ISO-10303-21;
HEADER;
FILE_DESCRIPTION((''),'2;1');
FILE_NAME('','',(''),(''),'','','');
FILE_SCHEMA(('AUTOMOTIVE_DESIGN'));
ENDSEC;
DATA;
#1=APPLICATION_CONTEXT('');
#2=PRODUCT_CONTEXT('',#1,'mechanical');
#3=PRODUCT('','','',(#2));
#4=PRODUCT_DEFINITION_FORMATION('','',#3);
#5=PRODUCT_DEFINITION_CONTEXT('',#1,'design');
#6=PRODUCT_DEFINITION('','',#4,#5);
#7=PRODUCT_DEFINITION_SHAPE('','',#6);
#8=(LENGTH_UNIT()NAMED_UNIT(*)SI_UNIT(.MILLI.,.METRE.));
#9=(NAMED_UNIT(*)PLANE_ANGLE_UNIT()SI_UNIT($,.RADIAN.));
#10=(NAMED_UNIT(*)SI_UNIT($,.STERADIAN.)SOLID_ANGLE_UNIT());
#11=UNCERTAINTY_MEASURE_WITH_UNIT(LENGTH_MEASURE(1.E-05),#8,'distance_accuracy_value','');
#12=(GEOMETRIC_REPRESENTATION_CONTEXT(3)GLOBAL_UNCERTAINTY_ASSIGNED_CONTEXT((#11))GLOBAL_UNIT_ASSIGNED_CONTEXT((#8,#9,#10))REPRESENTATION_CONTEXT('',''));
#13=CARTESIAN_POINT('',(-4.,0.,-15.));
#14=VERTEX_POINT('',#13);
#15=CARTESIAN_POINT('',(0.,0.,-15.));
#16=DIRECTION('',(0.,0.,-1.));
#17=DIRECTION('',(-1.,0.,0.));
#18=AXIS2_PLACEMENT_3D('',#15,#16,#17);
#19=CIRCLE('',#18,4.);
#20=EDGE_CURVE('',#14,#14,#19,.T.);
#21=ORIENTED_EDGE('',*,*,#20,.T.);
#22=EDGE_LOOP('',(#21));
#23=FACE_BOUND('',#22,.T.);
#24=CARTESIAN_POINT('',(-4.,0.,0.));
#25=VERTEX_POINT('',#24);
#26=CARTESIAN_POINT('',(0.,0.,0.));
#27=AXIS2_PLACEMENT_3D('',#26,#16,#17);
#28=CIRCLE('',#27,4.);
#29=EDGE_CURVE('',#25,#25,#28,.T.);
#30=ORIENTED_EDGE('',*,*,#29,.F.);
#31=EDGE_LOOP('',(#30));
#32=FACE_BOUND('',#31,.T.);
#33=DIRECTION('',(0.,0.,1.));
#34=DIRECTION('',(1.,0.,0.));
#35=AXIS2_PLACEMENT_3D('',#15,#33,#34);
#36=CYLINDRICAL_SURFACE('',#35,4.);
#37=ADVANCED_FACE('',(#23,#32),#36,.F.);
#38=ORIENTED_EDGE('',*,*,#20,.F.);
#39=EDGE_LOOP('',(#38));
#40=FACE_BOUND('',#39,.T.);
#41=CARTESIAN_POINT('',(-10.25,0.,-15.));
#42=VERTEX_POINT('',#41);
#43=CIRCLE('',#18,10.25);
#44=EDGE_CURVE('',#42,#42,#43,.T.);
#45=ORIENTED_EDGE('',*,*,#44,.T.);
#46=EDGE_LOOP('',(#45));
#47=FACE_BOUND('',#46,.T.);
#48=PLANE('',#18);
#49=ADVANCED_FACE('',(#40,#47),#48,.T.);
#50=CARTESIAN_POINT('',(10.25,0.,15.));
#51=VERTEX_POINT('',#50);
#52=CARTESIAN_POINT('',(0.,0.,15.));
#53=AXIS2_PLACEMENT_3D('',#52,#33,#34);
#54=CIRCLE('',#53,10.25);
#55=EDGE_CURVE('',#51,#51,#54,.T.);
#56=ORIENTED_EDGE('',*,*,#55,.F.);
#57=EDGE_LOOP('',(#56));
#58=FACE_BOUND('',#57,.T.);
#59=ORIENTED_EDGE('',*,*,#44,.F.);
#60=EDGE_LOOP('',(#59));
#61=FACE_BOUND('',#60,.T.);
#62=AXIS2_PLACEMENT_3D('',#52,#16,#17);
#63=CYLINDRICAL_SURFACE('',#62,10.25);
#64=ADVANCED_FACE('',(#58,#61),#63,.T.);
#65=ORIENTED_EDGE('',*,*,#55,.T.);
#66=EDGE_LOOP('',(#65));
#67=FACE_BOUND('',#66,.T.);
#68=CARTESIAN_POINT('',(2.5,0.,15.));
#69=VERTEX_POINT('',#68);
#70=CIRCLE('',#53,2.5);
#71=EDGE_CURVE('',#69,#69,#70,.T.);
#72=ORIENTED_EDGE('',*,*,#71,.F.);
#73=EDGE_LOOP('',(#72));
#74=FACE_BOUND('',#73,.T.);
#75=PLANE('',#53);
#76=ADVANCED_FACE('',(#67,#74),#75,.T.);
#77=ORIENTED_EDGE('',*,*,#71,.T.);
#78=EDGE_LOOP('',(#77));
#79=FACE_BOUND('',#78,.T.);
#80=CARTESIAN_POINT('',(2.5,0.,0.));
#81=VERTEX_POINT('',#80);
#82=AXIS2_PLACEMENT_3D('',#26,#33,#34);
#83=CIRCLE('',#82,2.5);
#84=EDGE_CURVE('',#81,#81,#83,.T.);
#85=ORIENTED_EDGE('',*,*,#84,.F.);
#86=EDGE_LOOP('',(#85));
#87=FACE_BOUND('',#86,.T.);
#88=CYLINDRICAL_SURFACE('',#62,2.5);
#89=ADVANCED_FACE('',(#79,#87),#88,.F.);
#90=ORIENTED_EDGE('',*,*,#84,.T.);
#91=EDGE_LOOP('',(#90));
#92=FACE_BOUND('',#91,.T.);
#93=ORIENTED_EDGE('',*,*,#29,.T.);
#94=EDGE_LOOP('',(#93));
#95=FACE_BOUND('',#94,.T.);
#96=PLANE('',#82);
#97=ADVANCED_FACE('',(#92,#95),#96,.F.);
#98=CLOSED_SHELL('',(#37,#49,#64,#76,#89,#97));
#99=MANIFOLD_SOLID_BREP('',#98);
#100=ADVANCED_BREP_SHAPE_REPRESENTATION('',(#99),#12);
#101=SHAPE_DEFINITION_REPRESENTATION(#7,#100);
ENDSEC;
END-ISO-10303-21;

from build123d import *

# Parameters (mm, degrees)
CROQUIS1_R              = 10.25
CROQUIS1_R_2            = 2.5
SALIENTE_EXTRUIR1_DEPTH = 15
SALIENTE_EXTRUIR2_START = 15
CROQUIS2_R              = 10.25
CROQUIS2_R_2            = 4
SALIENTE_EXTRUIR2_DEPTH = 15


with BuildPart() as part:
    # Croquis1 → Saliente-Extruir1 (new body)
    with BuildSketch(Plane.XY):
        Circle(CROQUIS1_R)
        Circle(CROQUIS1_R_2, mode=Mode.SUBTRACT)
    extrude(amount=SALIENTE_EXTRUIR1_DEPTH)

    # Croquis2 → Saliente-Extruir2 (add)
    with BuildSketch(Plane(origin=(0, 0, 0), x_dir=(-1, 0, 0), z_dir=(0, 0, -1)).offset(SALIENTE_EXTRUIR2_START)):
        Circle(CROQUIS2_R)
        Circle(CROQUIS2_R_2, mode=Mode.SUBTRACT)
    extrude(amount=-SALIENTE_EXTRUIR2_DEPTH)


solid = part.part
